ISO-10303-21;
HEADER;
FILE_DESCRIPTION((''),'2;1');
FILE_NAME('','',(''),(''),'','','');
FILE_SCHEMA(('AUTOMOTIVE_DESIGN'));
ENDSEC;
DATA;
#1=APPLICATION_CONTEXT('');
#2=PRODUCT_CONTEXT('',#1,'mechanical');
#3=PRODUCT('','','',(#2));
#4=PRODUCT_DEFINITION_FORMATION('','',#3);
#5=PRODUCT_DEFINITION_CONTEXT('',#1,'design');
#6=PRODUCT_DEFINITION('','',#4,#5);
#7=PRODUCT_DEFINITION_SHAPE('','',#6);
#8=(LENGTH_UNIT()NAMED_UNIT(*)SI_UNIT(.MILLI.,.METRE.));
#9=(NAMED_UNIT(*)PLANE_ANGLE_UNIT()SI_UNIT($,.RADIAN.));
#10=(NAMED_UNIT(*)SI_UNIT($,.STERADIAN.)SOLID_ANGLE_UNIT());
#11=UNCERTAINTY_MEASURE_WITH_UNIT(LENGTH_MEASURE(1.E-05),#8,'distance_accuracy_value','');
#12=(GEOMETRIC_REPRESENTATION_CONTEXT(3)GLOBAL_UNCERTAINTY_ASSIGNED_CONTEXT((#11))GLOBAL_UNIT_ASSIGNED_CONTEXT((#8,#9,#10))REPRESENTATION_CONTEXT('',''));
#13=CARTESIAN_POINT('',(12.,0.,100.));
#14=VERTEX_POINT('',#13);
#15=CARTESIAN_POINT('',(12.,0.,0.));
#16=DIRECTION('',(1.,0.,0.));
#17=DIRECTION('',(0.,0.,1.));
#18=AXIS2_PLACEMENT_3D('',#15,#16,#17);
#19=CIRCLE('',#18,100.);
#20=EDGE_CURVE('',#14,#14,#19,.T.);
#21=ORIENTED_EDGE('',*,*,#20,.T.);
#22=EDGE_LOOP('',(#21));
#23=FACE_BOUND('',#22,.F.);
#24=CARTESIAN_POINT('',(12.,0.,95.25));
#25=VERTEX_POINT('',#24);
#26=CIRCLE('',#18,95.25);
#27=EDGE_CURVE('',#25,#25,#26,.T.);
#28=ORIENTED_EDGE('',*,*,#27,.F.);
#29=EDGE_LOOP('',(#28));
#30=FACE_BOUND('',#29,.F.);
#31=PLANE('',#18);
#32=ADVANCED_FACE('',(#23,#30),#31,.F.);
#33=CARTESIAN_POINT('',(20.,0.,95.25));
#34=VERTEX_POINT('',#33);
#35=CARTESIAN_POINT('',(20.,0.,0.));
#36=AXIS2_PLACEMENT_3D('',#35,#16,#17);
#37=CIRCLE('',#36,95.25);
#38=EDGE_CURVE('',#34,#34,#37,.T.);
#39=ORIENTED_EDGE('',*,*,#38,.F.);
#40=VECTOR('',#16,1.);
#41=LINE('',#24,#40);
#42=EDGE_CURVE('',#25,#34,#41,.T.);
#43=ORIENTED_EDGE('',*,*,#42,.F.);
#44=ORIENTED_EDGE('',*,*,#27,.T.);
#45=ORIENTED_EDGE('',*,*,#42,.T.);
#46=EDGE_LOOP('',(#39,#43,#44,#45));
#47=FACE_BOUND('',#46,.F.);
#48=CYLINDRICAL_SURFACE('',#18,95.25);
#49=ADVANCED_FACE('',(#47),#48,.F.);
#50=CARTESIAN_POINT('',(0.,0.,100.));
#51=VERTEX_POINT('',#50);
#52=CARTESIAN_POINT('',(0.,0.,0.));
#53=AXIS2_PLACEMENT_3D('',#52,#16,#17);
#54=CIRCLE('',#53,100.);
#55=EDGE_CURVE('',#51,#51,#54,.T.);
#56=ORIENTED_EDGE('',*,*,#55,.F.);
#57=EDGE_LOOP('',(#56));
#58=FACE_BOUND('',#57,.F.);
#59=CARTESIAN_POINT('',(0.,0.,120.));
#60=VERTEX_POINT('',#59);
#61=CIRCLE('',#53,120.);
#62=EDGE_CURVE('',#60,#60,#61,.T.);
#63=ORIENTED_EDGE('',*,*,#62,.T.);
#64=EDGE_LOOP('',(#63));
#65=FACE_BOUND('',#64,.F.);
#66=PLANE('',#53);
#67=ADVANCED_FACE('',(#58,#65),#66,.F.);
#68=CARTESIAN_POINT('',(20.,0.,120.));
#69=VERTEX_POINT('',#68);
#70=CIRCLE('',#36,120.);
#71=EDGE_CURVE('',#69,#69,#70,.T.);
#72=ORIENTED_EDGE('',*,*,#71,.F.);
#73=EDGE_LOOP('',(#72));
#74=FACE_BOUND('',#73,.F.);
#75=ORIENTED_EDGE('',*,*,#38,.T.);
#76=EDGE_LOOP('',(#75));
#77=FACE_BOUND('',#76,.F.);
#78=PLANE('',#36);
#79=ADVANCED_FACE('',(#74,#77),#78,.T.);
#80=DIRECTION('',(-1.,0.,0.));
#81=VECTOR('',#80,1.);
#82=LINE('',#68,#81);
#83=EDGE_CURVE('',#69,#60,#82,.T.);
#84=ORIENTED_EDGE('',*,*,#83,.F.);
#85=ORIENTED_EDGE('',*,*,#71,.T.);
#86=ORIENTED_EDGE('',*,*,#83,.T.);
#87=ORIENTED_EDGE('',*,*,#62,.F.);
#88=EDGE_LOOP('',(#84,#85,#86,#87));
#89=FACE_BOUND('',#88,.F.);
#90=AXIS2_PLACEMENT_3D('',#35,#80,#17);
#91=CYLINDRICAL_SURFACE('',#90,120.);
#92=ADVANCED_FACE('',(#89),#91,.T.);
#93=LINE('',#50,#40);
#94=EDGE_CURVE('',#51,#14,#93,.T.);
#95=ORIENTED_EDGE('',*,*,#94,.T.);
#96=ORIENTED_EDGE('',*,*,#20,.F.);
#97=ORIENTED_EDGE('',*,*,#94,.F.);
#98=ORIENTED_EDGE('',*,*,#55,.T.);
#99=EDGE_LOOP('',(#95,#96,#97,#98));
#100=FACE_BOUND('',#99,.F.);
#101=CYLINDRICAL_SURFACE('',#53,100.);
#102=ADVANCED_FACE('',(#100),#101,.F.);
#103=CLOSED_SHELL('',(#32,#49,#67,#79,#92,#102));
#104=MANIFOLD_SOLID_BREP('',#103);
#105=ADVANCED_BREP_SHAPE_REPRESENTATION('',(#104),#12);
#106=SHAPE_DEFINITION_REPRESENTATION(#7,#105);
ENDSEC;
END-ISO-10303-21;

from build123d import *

# Parameters (mm, degrees)
F0_W = 0.5
F0_H = 1.75


with BuildPart() as f1:
    # F0 (on Front) → F1 (revolve)
    with BuildSketch(Plane.XZ):
        Polygon((12, 98.25), (12, 95.25), (20, 95.25), (20, 120), (0, 120), (0, 100), (12, 100), (12.5, 100), (12.5, 98.25), align=None)
        with Locations((12.25, 99.125)):
            Rectangle(F0_W, F0_H)
    revolve(axis=Axis((10, 0, 0), (1, 0, 0)))


solid = f1.part
